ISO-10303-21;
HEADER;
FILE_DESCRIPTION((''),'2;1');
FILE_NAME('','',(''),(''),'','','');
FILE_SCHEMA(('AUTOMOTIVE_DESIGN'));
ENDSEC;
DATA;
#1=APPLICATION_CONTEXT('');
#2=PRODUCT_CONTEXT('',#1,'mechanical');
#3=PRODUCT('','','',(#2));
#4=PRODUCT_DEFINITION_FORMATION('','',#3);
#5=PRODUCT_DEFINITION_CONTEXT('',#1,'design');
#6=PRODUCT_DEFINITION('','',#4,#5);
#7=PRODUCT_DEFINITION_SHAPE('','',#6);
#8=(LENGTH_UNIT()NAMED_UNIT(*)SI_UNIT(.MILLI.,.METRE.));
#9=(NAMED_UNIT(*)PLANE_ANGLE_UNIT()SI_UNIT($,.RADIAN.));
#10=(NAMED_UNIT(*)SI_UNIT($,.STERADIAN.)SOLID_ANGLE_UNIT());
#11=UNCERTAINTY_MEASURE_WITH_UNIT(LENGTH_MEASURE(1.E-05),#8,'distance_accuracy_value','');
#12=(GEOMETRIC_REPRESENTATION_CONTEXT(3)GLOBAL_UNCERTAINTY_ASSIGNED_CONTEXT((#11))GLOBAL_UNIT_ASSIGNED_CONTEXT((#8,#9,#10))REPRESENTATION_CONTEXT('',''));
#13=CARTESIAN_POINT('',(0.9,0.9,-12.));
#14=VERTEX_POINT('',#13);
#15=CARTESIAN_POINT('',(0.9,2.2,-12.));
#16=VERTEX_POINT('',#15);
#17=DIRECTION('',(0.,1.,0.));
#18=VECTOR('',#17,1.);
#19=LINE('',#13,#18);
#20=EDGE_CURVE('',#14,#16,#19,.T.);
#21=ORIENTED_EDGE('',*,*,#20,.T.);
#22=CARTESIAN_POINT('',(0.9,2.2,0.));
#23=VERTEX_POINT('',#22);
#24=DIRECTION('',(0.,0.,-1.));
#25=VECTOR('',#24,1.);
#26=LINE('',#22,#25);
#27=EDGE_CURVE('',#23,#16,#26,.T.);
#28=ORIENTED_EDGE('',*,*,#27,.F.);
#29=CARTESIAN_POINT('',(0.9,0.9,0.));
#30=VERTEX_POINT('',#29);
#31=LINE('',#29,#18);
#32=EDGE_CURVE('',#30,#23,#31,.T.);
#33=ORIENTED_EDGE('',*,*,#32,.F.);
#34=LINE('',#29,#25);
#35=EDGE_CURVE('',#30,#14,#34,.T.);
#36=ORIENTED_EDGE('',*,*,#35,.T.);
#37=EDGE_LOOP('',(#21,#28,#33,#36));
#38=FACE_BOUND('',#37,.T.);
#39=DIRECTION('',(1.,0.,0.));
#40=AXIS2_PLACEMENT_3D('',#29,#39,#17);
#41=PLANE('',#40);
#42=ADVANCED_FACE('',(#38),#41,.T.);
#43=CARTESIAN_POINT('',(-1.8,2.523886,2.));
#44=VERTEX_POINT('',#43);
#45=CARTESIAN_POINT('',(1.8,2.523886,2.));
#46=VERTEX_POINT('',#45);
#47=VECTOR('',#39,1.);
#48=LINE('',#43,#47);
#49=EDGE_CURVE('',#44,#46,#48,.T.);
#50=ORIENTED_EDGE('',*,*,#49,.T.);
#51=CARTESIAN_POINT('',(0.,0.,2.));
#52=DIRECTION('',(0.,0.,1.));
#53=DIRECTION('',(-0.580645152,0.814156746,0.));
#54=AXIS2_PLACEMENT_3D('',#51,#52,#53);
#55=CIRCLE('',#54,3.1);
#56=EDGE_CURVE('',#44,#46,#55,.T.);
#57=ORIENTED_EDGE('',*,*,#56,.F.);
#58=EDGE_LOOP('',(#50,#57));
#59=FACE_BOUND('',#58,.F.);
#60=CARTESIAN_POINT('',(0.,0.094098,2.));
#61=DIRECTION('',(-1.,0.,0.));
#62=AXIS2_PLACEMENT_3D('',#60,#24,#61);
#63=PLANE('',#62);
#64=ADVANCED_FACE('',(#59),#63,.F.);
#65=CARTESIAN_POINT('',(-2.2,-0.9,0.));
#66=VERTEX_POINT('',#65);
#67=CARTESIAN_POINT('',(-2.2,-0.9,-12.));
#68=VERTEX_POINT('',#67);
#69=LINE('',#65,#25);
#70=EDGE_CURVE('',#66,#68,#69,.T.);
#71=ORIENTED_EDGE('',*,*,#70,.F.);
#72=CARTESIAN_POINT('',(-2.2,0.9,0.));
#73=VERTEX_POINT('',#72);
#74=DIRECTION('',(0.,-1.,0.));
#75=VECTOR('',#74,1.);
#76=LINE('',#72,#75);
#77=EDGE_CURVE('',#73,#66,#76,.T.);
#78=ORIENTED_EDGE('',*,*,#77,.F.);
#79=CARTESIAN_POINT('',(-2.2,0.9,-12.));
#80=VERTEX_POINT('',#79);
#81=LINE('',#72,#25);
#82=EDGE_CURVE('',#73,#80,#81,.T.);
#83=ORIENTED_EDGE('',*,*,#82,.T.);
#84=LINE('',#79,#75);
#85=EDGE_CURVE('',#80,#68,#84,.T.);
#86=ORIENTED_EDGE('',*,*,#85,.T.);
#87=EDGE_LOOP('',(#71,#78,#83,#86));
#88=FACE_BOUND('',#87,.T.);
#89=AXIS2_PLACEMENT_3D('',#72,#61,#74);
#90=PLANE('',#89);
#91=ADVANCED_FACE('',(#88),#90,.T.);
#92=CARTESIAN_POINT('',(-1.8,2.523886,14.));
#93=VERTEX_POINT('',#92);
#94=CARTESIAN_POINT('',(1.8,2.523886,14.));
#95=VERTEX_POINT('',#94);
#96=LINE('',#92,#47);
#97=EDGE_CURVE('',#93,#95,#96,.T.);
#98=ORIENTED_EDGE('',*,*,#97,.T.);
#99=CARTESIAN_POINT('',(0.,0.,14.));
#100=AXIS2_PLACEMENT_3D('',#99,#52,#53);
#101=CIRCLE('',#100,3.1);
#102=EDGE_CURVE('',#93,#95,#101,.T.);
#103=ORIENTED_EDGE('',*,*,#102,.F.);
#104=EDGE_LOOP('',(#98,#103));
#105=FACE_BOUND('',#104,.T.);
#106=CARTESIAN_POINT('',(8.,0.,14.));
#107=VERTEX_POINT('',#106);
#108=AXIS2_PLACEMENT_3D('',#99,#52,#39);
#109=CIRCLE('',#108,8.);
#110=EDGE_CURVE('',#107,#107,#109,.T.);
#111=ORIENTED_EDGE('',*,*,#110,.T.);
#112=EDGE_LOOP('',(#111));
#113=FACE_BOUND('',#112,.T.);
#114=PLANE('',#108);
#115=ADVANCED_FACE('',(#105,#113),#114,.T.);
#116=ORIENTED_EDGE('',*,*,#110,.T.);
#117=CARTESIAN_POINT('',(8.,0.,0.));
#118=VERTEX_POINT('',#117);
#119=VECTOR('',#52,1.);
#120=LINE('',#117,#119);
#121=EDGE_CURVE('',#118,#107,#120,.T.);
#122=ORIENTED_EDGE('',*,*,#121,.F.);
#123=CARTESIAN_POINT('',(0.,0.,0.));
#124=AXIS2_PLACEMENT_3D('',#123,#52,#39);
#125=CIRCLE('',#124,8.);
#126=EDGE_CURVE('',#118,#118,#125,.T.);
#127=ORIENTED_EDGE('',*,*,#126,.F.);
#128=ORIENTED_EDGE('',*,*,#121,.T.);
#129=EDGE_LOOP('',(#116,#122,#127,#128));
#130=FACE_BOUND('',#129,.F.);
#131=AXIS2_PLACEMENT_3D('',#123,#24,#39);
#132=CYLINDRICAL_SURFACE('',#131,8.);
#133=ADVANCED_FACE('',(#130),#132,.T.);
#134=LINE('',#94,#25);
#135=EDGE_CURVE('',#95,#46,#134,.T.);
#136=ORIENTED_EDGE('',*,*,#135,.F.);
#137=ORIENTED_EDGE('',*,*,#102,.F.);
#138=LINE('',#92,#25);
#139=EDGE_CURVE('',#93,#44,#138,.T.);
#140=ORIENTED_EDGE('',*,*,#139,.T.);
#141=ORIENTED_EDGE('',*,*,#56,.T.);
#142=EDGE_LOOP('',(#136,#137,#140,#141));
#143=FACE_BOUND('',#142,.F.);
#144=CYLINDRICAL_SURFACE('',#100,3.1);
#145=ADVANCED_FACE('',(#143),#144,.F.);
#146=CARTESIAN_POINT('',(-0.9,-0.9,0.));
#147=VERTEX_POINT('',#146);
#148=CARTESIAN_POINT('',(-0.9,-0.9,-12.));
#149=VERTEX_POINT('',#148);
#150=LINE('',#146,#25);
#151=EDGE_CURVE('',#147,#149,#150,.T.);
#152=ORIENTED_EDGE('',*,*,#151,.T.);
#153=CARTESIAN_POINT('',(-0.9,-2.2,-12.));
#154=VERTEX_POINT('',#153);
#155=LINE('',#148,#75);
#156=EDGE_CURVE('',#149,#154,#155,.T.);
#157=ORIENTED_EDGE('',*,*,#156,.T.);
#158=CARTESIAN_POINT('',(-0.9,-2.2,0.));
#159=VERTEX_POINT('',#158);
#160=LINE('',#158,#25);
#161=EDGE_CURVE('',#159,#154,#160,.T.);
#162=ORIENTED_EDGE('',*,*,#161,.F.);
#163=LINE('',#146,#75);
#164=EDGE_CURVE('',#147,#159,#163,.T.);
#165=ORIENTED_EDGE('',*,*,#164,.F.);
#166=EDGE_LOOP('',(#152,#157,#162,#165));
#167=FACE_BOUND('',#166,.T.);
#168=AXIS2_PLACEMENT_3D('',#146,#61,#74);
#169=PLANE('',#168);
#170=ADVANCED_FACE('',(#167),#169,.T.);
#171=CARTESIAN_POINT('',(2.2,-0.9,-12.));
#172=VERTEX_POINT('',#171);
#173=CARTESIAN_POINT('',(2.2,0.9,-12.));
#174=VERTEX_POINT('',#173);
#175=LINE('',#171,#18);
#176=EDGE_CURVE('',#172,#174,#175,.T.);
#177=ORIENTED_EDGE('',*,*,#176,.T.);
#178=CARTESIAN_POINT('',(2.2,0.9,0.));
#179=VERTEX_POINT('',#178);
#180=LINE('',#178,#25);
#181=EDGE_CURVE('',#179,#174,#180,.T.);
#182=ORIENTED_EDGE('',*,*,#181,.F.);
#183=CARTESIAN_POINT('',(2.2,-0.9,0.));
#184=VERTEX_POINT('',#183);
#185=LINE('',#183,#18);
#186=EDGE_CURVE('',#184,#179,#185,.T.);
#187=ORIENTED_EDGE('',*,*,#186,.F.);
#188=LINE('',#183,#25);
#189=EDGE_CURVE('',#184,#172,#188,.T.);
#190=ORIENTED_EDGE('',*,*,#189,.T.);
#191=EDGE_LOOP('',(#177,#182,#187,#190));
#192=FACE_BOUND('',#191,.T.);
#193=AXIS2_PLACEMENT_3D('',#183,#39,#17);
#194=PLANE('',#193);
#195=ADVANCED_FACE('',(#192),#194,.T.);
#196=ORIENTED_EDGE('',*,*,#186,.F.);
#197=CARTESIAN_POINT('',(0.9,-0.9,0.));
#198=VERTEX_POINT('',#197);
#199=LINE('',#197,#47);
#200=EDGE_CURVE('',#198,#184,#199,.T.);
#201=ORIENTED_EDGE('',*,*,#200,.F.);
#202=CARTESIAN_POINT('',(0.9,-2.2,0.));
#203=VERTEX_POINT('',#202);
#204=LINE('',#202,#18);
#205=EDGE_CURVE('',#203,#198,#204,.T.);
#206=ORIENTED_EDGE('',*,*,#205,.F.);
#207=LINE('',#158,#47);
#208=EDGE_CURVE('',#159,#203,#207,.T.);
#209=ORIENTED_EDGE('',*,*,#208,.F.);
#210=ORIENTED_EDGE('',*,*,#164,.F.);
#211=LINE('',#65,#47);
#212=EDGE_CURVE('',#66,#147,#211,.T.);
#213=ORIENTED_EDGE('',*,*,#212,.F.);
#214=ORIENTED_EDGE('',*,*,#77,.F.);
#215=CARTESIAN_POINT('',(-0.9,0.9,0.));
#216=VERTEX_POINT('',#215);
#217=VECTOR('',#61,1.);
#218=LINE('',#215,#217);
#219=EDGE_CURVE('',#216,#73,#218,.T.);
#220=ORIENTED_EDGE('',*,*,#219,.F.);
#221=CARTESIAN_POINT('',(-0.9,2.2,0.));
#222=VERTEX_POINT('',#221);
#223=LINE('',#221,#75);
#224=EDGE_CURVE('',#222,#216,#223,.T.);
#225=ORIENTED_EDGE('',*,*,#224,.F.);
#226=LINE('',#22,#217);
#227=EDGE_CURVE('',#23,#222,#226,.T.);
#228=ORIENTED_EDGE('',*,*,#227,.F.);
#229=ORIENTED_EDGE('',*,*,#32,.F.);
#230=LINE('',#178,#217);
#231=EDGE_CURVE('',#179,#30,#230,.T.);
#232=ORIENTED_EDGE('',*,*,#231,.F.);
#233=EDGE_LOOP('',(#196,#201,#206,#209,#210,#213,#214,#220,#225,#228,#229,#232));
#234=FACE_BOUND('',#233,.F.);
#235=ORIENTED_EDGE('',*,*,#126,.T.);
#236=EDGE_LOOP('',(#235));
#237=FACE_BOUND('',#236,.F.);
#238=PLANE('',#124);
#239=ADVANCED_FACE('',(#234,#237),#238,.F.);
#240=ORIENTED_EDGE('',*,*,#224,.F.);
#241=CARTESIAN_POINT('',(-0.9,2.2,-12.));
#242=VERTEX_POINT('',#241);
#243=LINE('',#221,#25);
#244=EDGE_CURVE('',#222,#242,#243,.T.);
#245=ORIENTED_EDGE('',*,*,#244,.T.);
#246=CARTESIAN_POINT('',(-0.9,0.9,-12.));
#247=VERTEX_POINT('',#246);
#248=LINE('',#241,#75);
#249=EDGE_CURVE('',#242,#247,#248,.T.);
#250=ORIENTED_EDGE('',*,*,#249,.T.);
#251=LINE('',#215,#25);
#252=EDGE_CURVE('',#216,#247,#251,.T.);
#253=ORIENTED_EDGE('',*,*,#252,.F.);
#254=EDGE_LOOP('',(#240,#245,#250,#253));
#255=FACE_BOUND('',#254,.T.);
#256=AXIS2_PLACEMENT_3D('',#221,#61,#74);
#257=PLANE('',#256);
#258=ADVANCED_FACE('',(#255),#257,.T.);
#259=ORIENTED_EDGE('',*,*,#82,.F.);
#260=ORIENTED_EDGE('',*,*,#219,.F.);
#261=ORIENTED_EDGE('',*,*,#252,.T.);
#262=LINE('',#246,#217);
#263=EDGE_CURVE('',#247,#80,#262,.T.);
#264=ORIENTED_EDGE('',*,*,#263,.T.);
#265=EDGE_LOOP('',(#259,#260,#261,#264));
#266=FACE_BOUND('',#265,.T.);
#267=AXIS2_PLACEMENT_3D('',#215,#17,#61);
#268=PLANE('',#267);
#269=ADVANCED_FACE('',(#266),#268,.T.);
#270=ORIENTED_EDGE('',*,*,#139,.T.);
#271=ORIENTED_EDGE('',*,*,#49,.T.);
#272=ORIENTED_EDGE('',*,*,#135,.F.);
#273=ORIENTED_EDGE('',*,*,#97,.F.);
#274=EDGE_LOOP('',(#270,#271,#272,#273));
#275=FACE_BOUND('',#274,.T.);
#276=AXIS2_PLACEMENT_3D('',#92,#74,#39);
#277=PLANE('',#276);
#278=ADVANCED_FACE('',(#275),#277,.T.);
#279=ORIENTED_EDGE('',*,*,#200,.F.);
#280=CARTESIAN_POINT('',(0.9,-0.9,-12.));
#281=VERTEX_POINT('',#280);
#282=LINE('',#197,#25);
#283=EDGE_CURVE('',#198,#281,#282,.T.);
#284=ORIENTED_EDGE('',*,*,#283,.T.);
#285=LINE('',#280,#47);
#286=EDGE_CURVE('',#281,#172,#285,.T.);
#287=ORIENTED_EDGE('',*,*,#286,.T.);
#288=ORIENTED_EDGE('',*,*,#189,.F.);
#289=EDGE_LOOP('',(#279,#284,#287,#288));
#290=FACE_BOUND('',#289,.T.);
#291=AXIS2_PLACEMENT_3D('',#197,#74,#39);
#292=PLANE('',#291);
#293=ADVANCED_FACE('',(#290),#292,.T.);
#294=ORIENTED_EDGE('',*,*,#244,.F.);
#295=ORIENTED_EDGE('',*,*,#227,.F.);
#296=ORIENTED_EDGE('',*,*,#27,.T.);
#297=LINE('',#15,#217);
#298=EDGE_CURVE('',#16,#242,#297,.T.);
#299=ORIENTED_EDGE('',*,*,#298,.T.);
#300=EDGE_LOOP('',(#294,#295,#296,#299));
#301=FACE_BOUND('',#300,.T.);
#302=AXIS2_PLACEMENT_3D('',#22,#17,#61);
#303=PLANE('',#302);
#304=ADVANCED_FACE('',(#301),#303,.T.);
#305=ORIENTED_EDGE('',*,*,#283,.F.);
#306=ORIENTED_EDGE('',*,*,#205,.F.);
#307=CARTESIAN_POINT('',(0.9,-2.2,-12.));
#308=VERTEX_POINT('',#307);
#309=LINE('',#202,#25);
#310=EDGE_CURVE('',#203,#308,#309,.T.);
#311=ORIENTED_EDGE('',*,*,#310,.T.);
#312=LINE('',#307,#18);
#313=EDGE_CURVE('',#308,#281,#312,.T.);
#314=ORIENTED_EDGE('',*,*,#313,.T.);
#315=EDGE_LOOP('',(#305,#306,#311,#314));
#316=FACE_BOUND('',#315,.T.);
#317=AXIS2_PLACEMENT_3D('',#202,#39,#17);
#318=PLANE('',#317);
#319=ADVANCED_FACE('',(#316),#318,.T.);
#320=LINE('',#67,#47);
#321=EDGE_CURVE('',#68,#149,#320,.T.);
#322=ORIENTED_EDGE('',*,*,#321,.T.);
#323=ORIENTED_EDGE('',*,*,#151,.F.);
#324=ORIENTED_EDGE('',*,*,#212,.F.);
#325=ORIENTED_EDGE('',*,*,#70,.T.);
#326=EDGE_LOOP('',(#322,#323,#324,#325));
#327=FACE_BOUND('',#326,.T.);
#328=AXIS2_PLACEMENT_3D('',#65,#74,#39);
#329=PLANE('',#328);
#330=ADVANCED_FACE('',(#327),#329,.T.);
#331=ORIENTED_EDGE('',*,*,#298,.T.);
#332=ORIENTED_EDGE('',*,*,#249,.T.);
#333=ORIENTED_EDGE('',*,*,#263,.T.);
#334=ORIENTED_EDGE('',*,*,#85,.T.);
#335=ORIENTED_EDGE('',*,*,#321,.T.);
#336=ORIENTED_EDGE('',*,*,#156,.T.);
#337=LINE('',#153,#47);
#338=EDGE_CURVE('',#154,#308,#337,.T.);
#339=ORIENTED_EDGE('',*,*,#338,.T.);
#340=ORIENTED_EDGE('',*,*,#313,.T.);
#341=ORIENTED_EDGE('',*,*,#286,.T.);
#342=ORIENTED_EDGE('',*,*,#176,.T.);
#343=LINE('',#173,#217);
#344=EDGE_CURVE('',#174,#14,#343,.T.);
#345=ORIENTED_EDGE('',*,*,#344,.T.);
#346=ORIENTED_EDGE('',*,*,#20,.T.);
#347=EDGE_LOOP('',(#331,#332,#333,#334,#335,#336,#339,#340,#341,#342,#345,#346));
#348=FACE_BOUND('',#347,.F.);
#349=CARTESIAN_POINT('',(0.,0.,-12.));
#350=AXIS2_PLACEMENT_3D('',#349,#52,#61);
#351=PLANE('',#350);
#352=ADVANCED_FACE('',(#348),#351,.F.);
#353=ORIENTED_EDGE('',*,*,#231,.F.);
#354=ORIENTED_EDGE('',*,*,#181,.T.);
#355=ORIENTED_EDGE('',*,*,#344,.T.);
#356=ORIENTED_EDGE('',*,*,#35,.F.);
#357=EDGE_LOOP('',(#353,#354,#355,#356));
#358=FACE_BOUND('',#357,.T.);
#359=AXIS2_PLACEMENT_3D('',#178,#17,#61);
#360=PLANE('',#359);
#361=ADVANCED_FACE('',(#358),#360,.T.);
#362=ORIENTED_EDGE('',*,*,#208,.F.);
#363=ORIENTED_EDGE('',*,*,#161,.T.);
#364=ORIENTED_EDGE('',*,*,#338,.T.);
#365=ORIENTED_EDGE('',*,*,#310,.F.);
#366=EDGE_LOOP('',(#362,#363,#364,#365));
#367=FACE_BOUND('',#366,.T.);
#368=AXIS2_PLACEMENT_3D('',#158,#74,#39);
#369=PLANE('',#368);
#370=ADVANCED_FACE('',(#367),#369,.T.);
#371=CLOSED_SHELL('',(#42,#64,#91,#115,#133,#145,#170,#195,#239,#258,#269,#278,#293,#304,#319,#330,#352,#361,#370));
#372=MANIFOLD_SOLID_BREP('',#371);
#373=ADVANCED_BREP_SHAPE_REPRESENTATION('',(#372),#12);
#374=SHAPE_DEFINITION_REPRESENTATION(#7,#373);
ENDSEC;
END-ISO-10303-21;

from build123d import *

# Parameters (mm, degrees)
SKETCH_R     = 8
PAD_DEPTH    = 14
POCKET_DEPTH = 12
PAD001_DEPTH = 12


with BuildPart() as part:
    # Sketch → Pad (new body)
    with BuildSketch(Plane.XY):
        Circle(SKETCH_R)
    extrude(amount=PAD_DEPTH)

    # Sketch001 → Pocket (cut)
    with BuildSketch(Plane.XY.offset(14)):
        with BuildLine():
            Line((-1.8, 2.523886), (1.8, 2.523886))
            ThreePointArc((-1.8, 2.523886), (0, -3.1), (1.8, 2.523886))
        make_face()
    extrude(amount=-POCKET_DEPTH, mode=Mode.SUBTRACT)

    # Sketch002 → Pad001 (new body)
    with BuildSketch(Plane(origin=(0, 0, 0), x_dir=(1, 0, 0), z_dir=(0, 0, -1))):
        Polygon((-0.9, 2.2), (0.9, 2.2), (0.9, 0.9), (2.2, 0.9), (2.2, -0.9), (0.9, -0.9), (0.9, -2.2), (-0.9, -2.2), (-0.9, -0.9), (-2.2, -0.9), (-2.2, 0.9), (-0.9, 0.9), align=None)
    extrude(amount=PAD001_DEPTH)


solid = part.part
